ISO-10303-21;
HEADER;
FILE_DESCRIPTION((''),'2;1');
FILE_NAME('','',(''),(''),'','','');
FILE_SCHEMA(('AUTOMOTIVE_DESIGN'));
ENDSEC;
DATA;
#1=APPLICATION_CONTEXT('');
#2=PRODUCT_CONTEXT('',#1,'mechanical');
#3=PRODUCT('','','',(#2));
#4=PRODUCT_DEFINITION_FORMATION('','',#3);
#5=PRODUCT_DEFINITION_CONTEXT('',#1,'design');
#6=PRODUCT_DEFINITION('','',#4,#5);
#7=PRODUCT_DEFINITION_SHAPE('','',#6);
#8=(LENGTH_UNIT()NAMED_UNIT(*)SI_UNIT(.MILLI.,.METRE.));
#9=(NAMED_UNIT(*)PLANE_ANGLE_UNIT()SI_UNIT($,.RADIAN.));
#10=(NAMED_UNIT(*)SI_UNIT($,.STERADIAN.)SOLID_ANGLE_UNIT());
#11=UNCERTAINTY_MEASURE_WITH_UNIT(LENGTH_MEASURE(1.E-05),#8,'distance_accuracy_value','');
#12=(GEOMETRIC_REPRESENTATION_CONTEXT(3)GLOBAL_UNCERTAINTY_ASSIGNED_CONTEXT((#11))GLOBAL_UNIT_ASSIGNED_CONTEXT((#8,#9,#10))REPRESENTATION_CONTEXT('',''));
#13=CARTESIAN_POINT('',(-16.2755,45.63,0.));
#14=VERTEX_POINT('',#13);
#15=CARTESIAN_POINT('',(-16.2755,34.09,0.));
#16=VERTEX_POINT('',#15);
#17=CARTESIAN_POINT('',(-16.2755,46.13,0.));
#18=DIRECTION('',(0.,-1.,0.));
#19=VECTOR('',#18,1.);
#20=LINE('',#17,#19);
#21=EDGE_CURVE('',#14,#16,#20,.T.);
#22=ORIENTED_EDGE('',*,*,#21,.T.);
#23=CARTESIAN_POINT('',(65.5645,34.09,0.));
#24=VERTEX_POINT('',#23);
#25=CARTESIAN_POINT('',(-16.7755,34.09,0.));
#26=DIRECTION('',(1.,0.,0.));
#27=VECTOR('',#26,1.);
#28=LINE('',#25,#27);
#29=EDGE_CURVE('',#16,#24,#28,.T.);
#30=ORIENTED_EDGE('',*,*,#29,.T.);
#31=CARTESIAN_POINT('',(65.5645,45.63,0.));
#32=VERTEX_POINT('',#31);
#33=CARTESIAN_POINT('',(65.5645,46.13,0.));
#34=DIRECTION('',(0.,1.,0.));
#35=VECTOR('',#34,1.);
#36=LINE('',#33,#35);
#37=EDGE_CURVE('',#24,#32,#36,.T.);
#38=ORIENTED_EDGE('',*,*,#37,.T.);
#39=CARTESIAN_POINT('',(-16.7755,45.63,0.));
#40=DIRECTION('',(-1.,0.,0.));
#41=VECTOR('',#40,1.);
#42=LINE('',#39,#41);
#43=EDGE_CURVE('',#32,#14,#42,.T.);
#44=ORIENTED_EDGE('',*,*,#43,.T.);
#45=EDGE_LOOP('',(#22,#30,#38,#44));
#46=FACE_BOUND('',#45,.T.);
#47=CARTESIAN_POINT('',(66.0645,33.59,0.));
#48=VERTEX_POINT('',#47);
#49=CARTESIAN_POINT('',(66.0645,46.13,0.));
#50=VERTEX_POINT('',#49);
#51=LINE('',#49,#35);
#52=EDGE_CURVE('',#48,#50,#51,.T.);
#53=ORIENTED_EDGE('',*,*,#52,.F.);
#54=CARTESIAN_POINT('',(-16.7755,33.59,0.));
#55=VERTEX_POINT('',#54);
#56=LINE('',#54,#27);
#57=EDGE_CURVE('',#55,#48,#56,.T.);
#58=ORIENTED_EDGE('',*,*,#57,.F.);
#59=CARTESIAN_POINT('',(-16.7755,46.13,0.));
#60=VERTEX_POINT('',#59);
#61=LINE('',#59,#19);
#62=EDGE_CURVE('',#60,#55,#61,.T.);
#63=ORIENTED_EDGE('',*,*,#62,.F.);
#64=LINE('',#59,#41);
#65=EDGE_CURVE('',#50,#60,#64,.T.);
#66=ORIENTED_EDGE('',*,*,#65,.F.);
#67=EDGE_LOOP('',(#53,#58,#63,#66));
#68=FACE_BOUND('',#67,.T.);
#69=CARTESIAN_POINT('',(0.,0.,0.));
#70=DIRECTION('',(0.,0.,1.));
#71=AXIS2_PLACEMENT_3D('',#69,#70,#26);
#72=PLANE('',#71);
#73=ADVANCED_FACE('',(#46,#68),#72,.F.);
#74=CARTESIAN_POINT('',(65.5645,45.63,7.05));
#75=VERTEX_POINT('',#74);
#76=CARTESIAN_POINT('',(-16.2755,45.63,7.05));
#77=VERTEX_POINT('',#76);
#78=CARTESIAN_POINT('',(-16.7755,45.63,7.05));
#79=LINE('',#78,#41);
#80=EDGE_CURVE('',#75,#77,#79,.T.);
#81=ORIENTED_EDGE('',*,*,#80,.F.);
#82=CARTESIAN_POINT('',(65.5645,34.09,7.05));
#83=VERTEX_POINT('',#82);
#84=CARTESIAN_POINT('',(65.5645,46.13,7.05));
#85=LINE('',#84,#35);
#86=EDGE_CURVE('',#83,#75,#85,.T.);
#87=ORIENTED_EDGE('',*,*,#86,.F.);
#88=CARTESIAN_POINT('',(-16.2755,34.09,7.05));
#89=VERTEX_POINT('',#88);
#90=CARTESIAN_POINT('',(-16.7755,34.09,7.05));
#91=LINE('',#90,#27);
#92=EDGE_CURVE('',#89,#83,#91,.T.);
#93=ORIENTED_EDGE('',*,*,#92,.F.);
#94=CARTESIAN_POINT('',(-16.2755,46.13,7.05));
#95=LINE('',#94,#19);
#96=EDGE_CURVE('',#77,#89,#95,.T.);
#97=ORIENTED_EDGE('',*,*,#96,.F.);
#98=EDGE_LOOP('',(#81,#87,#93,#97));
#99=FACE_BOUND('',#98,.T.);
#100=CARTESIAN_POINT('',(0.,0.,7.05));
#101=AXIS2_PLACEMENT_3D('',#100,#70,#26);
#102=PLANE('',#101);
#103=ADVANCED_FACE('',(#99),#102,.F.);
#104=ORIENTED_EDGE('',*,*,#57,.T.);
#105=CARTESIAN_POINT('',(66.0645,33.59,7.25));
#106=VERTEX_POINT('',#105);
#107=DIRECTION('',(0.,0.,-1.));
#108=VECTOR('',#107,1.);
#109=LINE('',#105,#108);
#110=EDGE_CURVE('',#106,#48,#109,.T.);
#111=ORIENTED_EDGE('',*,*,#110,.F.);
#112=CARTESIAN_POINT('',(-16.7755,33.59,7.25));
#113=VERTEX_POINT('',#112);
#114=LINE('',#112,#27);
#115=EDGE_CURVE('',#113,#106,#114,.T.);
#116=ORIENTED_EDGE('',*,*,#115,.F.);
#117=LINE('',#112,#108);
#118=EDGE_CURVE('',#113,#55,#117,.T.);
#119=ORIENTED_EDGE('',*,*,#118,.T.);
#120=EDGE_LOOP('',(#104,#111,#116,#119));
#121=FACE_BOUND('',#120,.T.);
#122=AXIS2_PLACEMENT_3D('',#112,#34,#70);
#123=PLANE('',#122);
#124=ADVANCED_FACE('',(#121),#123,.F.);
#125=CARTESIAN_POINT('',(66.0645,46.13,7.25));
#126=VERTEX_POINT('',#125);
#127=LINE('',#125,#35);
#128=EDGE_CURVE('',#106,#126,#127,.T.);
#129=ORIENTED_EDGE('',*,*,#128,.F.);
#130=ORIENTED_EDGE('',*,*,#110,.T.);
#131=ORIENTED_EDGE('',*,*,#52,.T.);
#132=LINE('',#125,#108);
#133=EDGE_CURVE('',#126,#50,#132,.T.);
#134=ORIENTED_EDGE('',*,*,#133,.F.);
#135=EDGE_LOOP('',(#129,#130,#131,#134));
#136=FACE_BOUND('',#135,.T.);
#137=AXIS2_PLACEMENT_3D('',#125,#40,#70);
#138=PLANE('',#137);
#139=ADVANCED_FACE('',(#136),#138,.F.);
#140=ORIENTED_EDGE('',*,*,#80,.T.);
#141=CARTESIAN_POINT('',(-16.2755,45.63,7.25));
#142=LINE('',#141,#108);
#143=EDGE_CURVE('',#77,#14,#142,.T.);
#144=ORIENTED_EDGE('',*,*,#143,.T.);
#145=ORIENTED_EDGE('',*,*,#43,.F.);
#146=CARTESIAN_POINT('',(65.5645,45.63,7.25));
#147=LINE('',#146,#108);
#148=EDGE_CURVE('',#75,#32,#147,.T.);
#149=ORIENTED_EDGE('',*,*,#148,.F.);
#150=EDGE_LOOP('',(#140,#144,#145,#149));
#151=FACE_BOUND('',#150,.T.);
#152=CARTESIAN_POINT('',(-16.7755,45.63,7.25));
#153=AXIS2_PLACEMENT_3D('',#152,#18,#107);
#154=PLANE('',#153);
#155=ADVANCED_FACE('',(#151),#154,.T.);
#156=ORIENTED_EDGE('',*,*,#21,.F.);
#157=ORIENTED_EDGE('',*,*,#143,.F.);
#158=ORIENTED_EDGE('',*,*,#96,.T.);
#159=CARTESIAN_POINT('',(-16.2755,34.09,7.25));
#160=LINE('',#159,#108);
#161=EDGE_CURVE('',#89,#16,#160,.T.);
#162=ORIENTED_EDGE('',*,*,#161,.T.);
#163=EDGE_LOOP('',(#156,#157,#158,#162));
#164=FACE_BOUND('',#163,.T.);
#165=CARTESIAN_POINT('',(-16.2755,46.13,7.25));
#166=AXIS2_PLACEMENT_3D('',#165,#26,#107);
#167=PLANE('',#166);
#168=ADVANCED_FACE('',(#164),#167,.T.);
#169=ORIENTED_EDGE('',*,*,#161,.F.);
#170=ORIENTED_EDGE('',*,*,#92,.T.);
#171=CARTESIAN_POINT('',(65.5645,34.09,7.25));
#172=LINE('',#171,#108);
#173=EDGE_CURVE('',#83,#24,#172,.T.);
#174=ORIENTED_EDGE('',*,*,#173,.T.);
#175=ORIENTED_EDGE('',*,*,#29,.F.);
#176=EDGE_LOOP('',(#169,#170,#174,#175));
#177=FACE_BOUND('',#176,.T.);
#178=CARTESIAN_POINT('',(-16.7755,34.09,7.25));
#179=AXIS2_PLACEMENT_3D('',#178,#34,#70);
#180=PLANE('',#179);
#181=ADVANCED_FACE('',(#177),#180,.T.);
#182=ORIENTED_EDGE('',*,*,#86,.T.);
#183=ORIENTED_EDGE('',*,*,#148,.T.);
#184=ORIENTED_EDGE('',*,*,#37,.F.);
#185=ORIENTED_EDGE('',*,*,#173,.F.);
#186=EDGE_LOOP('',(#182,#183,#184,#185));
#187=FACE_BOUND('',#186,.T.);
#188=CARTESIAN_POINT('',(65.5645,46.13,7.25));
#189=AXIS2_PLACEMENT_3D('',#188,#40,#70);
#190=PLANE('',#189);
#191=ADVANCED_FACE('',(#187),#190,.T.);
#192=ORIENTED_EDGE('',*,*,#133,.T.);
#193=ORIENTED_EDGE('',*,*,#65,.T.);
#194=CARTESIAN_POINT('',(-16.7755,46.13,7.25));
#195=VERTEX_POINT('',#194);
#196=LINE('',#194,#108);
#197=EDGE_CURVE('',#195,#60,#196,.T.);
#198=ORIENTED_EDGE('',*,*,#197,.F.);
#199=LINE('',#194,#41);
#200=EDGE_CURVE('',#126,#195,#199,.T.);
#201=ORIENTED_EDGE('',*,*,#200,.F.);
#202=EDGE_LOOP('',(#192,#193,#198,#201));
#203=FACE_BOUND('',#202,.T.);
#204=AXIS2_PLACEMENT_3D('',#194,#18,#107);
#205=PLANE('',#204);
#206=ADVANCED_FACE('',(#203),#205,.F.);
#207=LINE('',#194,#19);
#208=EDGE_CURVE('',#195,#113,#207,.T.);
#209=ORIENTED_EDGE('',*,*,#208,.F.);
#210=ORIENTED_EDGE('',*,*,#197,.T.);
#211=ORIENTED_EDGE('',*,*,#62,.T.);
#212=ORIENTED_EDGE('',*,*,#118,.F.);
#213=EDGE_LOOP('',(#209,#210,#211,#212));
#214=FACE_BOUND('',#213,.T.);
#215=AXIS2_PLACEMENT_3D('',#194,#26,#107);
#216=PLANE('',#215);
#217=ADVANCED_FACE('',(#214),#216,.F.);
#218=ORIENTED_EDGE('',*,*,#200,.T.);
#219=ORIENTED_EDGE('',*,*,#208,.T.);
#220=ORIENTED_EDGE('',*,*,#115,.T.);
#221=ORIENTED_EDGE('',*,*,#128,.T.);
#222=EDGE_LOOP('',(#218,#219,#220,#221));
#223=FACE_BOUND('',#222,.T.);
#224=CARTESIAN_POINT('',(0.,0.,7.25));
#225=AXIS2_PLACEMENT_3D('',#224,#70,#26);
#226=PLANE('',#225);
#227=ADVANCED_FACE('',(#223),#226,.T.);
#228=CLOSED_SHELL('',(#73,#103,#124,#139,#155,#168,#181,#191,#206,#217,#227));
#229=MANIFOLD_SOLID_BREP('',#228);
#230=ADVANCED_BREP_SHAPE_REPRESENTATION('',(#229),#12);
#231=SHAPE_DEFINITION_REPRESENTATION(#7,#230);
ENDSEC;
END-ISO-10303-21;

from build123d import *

# Parameters (mm, degrees)
SKETCH1_W                 = 82.84
SKETCH1_H                 = 12.54
BOSS_EXTRUDE1_DEPTH       = 7.25
SHELL1_T                  = -0.5
SHELL1_THICKNESS_2_FACE_W = 81.84
SHELL1_THICKNESS_2_FACE_H = 11.54
SHELL1_THICKNESS_2_DEPTH  = 0.3


with BuildPart() as part:
    # Sketch1 → Boss-Extrude1 (new body)
    with BuildSketch(Plane.XY):
        with Locations((24.6445, 39.86)):
            Rectangle(SKETCH1_W, SKETCH1_H)
    extrude(amount=BOSS_EXTRUDE1_DEPTH)

    # Shell1
    shell1_openings = [part.faces().sort_by_distance(p)[0] for p in [
        (24.6445, 39.86, 0),
    ]]
    offset(amount=SHELL1_T, openings=shell1_openings, kind=Kind.INTERSECTION)

    # Shell1 thickness 2 face (on inner face of the shell) → Shell1 thickness 2 (cut)
    with BuildSketch(Plane(origin=(24.6445, 39.86, 6.75), x_dir=(1, 0, 0), z_dir=(0, 0, 1))):
        Rectangle(SHELL1_THICKNESS_2_FACE_W, SHELL1_THICKNESS_2_FACE_H)
    extrude(amount=SHELL1_THICKNESS_2_DEPTH, mode=Mode.SUBTRACT)


solid = part.part
